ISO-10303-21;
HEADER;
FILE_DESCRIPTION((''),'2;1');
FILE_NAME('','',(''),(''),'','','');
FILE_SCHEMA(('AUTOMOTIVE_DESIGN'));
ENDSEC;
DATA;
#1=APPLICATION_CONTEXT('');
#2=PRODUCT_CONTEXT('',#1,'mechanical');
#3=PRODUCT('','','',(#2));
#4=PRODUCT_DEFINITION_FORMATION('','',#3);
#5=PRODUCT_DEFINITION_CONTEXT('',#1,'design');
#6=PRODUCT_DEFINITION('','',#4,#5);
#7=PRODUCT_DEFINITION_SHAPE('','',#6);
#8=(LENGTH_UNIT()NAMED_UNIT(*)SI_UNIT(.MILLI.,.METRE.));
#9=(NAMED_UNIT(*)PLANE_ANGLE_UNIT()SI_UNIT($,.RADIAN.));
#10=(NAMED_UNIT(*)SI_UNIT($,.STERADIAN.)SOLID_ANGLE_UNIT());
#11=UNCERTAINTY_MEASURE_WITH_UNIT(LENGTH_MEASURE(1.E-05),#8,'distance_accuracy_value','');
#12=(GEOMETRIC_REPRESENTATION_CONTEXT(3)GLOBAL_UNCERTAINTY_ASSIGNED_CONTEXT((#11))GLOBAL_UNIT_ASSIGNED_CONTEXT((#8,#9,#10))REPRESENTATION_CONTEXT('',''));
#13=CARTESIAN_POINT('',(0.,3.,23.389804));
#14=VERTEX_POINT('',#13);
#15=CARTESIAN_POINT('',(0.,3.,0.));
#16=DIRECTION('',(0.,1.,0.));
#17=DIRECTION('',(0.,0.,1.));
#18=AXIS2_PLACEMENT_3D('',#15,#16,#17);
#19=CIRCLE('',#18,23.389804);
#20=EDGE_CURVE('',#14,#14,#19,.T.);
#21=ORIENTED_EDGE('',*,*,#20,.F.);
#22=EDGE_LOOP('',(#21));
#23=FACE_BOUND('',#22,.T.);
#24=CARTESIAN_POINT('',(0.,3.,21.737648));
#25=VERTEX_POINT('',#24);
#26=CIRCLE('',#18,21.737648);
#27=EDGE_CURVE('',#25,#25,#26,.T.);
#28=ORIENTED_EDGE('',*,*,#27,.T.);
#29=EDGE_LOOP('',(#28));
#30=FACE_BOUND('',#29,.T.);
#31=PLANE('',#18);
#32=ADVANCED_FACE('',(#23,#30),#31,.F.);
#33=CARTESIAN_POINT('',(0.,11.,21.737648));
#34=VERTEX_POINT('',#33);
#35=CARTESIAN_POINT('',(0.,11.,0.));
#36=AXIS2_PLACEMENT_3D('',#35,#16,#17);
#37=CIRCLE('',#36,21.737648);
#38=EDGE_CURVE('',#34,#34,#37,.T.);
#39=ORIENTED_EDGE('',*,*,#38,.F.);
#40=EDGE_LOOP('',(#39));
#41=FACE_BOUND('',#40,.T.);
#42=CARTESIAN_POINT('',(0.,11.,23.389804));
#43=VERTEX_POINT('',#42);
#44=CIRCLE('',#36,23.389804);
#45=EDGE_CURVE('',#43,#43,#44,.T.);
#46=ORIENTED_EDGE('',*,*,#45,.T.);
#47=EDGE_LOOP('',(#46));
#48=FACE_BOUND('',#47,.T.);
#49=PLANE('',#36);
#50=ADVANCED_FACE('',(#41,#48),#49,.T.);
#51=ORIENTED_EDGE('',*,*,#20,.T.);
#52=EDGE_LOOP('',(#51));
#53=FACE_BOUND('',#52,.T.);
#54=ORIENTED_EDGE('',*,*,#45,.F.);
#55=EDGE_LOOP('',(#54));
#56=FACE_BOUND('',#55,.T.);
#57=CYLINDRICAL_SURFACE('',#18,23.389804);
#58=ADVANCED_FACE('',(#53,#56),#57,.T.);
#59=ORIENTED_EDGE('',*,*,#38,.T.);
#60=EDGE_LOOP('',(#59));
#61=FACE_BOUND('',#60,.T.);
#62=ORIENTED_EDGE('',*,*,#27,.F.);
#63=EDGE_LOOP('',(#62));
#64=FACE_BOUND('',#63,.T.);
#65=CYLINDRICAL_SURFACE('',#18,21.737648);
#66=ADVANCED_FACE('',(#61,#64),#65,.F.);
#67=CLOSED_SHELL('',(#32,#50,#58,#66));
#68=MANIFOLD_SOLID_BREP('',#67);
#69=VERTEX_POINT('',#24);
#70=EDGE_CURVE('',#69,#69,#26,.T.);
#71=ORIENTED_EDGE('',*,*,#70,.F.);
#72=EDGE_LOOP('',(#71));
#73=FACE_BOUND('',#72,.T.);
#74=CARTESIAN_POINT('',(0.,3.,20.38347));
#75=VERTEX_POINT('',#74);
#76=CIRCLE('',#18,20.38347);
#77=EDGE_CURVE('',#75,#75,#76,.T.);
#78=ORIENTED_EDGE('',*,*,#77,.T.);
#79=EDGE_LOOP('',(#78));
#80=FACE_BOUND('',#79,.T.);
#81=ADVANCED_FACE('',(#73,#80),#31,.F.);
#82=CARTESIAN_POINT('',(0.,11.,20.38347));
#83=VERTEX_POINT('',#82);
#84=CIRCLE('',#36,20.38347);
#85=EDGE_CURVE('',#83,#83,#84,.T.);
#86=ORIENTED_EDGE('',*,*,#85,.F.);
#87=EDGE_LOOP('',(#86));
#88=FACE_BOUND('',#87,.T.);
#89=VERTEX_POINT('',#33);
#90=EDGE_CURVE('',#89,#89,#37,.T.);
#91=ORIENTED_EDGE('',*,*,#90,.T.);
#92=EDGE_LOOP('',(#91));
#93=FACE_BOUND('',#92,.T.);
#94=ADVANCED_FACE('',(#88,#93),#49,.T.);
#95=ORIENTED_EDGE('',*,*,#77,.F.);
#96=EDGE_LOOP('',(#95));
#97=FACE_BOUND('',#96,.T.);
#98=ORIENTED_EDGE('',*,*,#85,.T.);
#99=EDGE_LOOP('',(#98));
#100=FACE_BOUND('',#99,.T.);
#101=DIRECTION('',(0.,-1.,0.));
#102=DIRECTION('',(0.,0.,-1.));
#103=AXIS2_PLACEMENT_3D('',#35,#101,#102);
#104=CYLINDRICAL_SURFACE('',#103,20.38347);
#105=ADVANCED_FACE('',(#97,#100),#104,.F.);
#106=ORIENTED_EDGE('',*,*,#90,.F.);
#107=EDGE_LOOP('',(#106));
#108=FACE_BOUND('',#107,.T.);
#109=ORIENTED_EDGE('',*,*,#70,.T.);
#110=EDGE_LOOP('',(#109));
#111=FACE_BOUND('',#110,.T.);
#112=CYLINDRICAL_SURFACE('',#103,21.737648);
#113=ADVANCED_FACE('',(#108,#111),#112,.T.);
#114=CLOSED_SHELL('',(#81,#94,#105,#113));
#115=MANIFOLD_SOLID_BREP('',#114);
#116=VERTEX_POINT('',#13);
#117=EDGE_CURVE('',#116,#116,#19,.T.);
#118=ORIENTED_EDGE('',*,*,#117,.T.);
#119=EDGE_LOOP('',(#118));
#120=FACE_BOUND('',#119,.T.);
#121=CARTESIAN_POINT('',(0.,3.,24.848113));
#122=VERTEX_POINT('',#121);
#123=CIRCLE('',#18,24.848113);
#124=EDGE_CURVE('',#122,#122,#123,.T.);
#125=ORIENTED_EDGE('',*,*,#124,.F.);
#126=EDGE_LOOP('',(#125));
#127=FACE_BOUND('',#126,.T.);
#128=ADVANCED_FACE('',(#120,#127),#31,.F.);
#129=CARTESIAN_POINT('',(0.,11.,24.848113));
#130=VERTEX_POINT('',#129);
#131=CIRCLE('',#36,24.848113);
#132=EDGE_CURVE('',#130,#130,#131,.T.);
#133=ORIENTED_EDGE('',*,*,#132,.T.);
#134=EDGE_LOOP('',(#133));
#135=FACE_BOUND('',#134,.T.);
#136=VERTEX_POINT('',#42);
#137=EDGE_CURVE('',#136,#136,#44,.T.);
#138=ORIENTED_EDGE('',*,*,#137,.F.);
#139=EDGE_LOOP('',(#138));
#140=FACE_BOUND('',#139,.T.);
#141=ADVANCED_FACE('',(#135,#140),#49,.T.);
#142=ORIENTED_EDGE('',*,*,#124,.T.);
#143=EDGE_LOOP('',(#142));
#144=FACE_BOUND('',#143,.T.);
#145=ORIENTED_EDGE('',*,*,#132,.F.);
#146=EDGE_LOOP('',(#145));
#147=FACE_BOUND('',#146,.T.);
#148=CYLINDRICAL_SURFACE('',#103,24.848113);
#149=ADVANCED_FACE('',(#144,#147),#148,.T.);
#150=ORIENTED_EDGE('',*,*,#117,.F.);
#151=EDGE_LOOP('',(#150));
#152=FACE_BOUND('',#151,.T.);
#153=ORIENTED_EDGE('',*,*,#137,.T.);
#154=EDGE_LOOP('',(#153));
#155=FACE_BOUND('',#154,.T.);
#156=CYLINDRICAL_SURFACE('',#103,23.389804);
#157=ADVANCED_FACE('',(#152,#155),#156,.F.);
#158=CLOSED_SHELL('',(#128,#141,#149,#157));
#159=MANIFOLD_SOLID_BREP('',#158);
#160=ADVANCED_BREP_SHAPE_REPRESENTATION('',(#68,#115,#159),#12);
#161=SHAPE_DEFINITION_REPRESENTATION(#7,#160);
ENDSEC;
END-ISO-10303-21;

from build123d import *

# Parameters (mm, degrees)
BOSS_EXTRUDE1_START = 3
SKETCH2_R           = 21.737647639
SKETCH2_R_2         = 20.383469786
BOSS_EXTRUDE1_DEPTH = 8
BOSS_EXTRUDE2_START = 3
SKETCH5_R           = 24.848113281
SKETCH5_R_2         = 23.389804227
BOSS_EXTRUDE2_DEPTH = 8
SKETCH6_R           = 23.389804227
SKETCH6_R_2         = 21.737647639
BOSS_EXTRUDE3_DEPTH = 8


with BuildPart() as part:
    # Sketch2 → Boss-Extrude1 (new body)
    with BuildSketch(Plane(origin=(0, 0, 0), x_dir=(1, 0, 0), z_dir=(0, 1, 0)).offset(BOSS_EXTRUDE1_START)):
        with Locations(Location((0, 0, 0), (0, 0, 270))):
            Circle(SKETCH2_R)
        with Locations(Location((0, 0, 0), (0, 0, 270))):
            Circle(SKETCH2_R_2, mode=Mode.SUBTRACT)
    extrude(amount=BOSS_EXTRUDE1_DEPTH)


with BuildPart() as body_2:
    # Sketch5 → Boss-Extrude2 (new body)
    with BuildSketch(Plane(origin=(0, 0, 0), x_dir=(1, 0, 0), z_dir=(0, 1, 0)).offset(BOSS_EXTRUDE2_START)):
        with Locations(Location((0, 0, 0), (0, 0, 270))):
            Circle(SKETCH5_R)
        with Locations(Location((0, 0, 0), (0, 0, 270))):
            Circle(SKETCH5_R_2, mode=Mode.SUBTRACT)
    extrude(amount=BOSS_EXTRUDE2_DEPTH)


with BuildPart() as body_3:
    # Sketch6 → Boss-Extrude3 (new body)
    with BuildSketch(Plane(origin=(0, 11, 0), x_dir=(1, 0, 0), z_dir=(0, 1, 0))):
        with Locations(Location((0, 0, 0), (0, 0, 270))):
            Circle(SKETCH6_R)
        with Locations(Location((0, 0, 0), (0, 0, 270))):
            Circle(SKETCH6_R_2, mode=Mode.SUBTRACT)
    extrude(amount=-BOSS_EXTRUDE3_DEPTH)


solid = Compound([part.part, body_2.part, body_3.part])
